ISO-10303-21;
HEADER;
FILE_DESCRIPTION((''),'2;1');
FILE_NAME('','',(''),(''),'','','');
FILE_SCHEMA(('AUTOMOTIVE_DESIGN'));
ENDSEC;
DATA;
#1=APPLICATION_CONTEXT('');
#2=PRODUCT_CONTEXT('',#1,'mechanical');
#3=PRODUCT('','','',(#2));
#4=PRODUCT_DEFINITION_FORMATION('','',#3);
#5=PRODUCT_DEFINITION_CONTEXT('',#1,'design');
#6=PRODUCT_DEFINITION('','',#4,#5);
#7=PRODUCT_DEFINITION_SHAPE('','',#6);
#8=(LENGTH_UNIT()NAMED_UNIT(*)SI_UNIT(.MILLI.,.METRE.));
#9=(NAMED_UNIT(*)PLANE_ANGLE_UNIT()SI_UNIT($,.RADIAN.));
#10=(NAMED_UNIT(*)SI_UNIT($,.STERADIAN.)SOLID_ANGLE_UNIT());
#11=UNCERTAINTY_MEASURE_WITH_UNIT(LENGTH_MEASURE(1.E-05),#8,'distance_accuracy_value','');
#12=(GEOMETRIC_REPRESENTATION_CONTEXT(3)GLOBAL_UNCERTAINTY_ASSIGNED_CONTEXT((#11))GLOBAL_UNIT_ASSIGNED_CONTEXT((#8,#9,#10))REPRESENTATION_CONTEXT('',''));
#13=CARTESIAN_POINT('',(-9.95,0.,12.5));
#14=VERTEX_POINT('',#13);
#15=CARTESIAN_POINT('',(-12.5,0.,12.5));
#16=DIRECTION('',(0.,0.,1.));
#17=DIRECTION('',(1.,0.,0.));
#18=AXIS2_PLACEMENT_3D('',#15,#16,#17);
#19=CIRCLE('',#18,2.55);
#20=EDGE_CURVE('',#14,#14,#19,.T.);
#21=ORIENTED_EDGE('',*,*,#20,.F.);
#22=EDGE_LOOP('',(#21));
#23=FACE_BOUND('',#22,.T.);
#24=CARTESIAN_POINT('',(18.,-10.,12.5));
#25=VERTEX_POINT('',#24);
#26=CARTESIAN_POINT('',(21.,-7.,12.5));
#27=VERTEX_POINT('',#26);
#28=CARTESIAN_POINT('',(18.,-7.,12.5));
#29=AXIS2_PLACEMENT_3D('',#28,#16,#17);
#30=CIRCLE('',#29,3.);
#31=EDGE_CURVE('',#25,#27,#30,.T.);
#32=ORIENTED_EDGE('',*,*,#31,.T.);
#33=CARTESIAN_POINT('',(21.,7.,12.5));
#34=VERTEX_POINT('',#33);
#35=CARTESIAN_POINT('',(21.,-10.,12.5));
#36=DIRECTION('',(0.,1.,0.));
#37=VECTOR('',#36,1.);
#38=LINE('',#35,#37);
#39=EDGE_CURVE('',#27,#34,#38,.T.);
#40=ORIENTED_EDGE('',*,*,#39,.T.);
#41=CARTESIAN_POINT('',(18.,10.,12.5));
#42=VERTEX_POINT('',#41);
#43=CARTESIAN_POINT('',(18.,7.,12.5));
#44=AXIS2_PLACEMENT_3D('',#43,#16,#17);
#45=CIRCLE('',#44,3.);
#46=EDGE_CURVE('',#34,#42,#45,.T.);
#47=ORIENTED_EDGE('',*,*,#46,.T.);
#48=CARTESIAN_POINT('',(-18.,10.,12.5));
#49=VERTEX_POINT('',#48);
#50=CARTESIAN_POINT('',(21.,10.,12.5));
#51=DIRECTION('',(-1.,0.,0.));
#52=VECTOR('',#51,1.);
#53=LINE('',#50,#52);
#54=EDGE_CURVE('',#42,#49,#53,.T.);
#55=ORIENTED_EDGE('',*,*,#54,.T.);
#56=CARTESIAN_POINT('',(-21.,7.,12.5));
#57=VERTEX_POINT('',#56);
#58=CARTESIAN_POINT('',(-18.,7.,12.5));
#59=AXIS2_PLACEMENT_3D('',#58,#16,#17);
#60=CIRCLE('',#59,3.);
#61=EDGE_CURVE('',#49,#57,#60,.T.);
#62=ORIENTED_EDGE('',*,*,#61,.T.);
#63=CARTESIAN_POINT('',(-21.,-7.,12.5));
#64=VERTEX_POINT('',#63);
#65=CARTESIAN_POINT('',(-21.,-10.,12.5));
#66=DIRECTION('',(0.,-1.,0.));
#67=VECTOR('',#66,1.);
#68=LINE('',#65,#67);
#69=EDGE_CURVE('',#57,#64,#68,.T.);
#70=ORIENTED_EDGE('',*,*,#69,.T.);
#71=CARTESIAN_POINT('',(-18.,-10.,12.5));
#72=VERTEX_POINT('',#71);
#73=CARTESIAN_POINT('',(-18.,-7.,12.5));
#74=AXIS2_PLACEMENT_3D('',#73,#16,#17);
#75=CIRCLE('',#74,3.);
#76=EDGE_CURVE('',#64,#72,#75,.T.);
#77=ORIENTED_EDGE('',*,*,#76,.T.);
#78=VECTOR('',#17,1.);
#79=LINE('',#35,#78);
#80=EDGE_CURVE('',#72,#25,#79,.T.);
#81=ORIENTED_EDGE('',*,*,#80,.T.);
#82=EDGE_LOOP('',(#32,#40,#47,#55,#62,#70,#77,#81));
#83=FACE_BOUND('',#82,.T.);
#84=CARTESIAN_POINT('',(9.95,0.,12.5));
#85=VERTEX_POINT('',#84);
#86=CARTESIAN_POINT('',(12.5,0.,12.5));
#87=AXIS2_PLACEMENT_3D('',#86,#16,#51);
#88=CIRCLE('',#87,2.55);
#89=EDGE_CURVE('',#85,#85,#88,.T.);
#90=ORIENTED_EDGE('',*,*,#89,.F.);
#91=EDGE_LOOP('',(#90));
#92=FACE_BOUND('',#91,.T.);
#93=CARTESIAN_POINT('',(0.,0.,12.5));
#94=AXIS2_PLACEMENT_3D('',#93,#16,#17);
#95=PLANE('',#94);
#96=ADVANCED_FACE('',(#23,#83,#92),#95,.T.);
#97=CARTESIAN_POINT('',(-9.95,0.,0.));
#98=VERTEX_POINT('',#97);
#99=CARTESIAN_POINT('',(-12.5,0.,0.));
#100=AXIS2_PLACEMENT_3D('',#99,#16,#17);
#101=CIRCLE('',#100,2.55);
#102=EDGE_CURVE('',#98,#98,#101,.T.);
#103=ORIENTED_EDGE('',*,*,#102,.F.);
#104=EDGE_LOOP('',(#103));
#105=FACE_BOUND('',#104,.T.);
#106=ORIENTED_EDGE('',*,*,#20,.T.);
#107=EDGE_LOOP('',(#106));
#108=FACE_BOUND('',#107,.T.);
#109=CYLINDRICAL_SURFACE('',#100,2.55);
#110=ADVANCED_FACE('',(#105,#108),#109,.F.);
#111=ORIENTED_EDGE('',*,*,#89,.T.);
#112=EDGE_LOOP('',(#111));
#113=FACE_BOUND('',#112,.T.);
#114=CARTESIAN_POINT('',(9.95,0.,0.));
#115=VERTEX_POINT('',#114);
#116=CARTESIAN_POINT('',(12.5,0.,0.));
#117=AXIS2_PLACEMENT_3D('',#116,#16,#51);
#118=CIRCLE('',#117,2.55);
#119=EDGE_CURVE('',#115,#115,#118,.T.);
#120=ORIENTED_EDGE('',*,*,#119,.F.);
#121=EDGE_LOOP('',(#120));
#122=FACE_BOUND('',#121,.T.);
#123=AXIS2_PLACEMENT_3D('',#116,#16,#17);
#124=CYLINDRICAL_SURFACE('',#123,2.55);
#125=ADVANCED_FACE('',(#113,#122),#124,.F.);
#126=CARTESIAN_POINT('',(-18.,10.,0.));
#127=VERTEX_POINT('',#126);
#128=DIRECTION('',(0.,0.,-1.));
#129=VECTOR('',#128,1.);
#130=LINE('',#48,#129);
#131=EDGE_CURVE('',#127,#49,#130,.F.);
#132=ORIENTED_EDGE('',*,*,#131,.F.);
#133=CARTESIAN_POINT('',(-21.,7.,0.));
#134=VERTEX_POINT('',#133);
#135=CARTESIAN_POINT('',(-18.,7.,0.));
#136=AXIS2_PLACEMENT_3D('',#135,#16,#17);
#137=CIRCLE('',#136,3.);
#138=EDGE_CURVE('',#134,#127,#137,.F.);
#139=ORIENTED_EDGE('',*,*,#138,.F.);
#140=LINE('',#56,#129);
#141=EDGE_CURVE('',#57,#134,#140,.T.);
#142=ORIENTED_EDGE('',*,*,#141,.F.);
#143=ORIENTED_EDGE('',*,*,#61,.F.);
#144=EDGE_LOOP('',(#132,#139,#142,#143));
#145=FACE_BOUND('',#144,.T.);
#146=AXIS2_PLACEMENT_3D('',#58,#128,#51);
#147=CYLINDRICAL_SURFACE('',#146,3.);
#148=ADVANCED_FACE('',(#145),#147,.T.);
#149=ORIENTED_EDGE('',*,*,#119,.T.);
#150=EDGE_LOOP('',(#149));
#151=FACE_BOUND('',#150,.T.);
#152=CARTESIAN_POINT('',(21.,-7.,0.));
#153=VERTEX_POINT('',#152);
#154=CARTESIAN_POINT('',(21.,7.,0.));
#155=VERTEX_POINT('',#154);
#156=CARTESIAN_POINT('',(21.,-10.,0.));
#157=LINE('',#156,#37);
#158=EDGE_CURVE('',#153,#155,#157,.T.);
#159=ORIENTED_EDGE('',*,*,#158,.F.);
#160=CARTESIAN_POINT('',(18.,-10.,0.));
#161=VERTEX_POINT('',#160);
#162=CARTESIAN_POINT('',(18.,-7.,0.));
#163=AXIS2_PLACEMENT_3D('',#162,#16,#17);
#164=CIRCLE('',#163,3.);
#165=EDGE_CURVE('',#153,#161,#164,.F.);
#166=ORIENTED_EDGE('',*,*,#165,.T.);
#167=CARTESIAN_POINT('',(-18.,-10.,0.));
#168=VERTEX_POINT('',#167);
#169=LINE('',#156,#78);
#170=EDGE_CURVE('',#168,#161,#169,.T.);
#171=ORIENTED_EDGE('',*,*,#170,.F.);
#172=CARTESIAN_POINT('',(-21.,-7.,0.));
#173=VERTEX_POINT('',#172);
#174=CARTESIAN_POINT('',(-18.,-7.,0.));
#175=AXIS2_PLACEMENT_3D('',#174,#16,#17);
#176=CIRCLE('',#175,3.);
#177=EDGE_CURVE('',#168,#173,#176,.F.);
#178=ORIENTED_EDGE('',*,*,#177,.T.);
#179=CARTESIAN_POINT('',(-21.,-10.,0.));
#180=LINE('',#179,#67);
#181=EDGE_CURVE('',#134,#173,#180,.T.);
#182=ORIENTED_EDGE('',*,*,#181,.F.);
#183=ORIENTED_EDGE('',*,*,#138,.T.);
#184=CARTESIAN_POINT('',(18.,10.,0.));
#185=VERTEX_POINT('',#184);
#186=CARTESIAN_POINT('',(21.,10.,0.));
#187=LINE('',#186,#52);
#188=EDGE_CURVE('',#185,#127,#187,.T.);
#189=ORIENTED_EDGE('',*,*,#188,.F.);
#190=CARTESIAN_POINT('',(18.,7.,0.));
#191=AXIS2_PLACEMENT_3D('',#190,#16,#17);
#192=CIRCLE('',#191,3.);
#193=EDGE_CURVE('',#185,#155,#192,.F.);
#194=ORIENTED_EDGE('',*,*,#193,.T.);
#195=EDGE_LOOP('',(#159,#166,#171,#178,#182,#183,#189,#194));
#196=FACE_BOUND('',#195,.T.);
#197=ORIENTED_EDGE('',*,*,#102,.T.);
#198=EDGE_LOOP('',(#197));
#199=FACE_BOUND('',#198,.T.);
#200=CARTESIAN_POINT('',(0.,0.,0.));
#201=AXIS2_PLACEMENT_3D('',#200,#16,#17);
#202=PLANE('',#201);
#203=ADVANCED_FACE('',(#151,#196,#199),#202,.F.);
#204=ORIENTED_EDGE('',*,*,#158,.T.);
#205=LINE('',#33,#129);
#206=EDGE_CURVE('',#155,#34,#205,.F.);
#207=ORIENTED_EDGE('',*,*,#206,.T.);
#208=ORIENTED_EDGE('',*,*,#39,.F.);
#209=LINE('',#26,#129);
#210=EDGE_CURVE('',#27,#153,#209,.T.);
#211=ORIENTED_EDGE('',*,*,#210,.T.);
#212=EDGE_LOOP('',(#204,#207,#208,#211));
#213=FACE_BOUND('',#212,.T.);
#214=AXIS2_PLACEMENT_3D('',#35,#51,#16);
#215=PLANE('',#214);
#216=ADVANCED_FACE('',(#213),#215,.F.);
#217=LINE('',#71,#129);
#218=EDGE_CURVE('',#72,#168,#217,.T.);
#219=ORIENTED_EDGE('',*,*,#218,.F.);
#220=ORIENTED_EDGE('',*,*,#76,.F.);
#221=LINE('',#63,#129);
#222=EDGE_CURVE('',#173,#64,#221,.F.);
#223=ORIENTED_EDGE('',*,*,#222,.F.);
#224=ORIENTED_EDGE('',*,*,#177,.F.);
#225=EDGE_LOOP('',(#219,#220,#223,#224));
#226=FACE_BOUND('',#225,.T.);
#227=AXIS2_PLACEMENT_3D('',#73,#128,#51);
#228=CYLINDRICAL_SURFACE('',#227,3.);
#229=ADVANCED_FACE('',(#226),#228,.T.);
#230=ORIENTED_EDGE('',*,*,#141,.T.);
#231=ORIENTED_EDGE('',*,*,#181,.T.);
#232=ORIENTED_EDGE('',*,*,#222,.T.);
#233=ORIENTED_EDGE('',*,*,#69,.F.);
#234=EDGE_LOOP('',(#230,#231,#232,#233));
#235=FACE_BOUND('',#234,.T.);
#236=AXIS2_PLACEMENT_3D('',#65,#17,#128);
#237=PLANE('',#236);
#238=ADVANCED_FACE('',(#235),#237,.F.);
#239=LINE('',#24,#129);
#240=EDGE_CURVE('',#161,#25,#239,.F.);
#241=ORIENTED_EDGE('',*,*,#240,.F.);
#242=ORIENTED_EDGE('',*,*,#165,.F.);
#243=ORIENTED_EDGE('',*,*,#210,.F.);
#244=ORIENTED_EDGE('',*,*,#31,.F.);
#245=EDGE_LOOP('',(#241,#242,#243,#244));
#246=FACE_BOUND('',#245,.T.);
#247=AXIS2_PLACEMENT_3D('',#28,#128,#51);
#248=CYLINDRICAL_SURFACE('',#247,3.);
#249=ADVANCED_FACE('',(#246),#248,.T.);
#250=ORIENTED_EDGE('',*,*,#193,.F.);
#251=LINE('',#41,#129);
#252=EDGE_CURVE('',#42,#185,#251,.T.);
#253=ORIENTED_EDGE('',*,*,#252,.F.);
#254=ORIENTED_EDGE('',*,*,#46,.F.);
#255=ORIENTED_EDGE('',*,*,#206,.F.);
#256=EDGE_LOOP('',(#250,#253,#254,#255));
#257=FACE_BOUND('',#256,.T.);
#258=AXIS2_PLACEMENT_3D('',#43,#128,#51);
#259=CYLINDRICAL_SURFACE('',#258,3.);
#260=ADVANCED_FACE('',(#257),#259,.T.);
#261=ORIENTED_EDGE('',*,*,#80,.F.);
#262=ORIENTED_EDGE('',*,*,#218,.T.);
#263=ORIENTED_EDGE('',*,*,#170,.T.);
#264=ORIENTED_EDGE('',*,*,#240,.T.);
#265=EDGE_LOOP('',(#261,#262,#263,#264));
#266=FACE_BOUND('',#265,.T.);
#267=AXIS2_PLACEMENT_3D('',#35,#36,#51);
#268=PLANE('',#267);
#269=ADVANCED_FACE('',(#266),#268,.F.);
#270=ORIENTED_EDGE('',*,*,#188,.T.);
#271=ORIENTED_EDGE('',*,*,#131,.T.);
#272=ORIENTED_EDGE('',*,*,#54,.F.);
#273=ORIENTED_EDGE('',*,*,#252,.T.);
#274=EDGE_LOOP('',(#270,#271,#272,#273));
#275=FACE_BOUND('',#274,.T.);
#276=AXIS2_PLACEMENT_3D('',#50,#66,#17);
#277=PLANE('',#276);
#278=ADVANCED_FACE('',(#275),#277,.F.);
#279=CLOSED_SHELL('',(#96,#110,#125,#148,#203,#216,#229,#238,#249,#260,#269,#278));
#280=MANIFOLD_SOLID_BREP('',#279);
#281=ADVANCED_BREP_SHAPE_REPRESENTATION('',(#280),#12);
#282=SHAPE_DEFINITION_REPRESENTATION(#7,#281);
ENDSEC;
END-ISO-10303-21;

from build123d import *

# Parameters (mm, degrees)
SKETCH_1_W          = 42
SKETCH_1_H          = 20
EXTRUDE_1_DEPTH     = 12.5
SKETCH_2_R          = 2.55
CUT_EXTRUDE_1_DEPTH = 27.405491853
FILLET_1_R          = 3


with BuildPart() as part:
    # 草图1 → 凸台-拉伸1 (new body)
    with BuildSketch(Plane.XY):
        Rectangle(SKETCH_1_W, SKETCH_1_H)
    extrude(amount=EXTRUDE_1_DEPTH)

    # 草图2 → 切除-拉伸1 (cut, through all)
    with BuildSketch(Plane.XY.offset(12.5)):
        with Locations((-12.5, 0)):
            Circle(SKETCH_2_R)
        with Locations(Location((12.5, 0, 0), (0, 0, 180))):
            Circle(SKETCH_2_R)
    extrude(amount=-CUT_EXTRUDE_1_DEPTH, mode=Mode.SUBTRACT)

    # 圆角1
    fillet_1_edges = [part.edges().sort_by_distance(p)[0] for p in [
        (-21, 10, 6.25),
        (21, 10, 6.25),
        (21, -10, 6.25),
        (-21, -10, 6.25),
    ]]
    fillet(fillet_1_edges, radius=FILLET_1_R)


solid = part.part
